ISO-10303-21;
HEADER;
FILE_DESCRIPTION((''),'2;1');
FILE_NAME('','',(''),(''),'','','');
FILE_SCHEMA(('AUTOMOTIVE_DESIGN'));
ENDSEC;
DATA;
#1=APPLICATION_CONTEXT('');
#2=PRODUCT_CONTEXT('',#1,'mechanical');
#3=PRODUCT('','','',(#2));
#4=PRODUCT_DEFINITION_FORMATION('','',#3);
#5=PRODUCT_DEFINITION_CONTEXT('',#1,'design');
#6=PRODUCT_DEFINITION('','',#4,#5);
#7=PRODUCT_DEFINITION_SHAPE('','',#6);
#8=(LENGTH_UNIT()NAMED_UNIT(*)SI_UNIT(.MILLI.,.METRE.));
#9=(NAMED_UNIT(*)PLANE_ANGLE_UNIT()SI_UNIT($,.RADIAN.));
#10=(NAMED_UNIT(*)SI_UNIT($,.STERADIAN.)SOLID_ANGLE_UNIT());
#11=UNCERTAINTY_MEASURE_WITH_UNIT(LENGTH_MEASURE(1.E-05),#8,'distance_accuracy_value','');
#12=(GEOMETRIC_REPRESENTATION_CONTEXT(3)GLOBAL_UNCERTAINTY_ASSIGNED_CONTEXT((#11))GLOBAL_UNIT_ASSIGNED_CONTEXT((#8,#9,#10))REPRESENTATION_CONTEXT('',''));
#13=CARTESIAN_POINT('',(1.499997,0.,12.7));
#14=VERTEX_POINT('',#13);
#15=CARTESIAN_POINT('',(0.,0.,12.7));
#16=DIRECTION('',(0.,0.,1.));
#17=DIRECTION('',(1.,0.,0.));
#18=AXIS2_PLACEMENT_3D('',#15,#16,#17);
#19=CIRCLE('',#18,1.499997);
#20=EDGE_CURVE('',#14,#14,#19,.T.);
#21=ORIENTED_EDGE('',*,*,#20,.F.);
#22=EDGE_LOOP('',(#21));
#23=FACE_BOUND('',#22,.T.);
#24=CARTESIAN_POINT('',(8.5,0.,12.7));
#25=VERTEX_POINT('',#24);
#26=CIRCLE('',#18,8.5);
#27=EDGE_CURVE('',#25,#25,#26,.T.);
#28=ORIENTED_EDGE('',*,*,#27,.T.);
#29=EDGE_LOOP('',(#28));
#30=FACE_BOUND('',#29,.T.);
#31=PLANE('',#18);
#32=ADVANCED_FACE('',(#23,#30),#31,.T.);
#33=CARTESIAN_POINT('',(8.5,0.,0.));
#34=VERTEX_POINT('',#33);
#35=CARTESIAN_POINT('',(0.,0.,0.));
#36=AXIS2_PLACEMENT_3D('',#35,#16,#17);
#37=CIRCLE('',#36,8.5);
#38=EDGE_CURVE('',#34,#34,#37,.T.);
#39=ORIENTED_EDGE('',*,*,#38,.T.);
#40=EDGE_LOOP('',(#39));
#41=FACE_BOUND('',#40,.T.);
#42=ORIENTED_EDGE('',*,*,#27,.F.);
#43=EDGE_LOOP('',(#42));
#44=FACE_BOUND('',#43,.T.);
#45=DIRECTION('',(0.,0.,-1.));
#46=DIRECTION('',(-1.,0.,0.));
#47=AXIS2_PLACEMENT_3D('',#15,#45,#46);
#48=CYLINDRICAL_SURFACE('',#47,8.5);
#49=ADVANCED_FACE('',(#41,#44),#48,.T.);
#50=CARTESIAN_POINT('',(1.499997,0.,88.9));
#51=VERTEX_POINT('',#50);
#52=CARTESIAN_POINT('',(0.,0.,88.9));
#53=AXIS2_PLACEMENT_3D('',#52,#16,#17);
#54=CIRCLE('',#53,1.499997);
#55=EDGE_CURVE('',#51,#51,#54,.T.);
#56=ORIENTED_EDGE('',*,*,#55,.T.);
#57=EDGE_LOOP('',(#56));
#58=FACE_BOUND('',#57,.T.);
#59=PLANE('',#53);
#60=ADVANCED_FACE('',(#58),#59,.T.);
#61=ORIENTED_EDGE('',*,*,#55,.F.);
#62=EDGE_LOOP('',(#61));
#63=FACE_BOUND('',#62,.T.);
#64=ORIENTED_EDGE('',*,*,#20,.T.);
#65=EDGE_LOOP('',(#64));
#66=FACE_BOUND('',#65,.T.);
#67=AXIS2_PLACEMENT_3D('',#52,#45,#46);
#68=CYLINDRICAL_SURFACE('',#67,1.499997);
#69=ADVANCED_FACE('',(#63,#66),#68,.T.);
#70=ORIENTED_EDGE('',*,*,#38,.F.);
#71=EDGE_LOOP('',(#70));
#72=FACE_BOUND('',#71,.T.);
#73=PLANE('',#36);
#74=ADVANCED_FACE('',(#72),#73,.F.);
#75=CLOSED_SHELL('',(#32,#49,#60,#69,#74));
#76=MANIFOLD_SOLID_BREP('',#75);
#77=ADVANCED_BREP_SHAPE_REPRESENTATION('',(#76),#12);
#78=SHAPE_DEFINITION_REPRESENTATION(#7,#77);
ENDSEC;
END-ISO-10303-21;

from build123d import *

# Parameters (mm, degrees)
SKETCH1_R           = 8.5
SKETCH1_R_2         = 1.499997
BOSS_EXTRUDE1_DEPTH = 12.7
SKETCH1_5_R         = 1.499997
BOSS_EXTRUDE2_DEPTH = 88.9


with BuildPart() as part:
    # Sketch1 → Boss-Extrude1 (new body)
    with BuildSketch(Plane.XY):
        Circle(SKETCH1_R)
        Circle(SKETCH1_R_2, mode=Mode.SUBTRACT)
    extrude(amount=BOSS_EXTRUDE1_DEPTH)

    # Sketch1<5> → Boss-Extrude2 (add)
    with BuildSketch(Plane.XY):
        Circle(SKETCH1_5_R)
    extrude(amount=BOSS_EXTRUDE2_DEPTH)


solid = part.part
